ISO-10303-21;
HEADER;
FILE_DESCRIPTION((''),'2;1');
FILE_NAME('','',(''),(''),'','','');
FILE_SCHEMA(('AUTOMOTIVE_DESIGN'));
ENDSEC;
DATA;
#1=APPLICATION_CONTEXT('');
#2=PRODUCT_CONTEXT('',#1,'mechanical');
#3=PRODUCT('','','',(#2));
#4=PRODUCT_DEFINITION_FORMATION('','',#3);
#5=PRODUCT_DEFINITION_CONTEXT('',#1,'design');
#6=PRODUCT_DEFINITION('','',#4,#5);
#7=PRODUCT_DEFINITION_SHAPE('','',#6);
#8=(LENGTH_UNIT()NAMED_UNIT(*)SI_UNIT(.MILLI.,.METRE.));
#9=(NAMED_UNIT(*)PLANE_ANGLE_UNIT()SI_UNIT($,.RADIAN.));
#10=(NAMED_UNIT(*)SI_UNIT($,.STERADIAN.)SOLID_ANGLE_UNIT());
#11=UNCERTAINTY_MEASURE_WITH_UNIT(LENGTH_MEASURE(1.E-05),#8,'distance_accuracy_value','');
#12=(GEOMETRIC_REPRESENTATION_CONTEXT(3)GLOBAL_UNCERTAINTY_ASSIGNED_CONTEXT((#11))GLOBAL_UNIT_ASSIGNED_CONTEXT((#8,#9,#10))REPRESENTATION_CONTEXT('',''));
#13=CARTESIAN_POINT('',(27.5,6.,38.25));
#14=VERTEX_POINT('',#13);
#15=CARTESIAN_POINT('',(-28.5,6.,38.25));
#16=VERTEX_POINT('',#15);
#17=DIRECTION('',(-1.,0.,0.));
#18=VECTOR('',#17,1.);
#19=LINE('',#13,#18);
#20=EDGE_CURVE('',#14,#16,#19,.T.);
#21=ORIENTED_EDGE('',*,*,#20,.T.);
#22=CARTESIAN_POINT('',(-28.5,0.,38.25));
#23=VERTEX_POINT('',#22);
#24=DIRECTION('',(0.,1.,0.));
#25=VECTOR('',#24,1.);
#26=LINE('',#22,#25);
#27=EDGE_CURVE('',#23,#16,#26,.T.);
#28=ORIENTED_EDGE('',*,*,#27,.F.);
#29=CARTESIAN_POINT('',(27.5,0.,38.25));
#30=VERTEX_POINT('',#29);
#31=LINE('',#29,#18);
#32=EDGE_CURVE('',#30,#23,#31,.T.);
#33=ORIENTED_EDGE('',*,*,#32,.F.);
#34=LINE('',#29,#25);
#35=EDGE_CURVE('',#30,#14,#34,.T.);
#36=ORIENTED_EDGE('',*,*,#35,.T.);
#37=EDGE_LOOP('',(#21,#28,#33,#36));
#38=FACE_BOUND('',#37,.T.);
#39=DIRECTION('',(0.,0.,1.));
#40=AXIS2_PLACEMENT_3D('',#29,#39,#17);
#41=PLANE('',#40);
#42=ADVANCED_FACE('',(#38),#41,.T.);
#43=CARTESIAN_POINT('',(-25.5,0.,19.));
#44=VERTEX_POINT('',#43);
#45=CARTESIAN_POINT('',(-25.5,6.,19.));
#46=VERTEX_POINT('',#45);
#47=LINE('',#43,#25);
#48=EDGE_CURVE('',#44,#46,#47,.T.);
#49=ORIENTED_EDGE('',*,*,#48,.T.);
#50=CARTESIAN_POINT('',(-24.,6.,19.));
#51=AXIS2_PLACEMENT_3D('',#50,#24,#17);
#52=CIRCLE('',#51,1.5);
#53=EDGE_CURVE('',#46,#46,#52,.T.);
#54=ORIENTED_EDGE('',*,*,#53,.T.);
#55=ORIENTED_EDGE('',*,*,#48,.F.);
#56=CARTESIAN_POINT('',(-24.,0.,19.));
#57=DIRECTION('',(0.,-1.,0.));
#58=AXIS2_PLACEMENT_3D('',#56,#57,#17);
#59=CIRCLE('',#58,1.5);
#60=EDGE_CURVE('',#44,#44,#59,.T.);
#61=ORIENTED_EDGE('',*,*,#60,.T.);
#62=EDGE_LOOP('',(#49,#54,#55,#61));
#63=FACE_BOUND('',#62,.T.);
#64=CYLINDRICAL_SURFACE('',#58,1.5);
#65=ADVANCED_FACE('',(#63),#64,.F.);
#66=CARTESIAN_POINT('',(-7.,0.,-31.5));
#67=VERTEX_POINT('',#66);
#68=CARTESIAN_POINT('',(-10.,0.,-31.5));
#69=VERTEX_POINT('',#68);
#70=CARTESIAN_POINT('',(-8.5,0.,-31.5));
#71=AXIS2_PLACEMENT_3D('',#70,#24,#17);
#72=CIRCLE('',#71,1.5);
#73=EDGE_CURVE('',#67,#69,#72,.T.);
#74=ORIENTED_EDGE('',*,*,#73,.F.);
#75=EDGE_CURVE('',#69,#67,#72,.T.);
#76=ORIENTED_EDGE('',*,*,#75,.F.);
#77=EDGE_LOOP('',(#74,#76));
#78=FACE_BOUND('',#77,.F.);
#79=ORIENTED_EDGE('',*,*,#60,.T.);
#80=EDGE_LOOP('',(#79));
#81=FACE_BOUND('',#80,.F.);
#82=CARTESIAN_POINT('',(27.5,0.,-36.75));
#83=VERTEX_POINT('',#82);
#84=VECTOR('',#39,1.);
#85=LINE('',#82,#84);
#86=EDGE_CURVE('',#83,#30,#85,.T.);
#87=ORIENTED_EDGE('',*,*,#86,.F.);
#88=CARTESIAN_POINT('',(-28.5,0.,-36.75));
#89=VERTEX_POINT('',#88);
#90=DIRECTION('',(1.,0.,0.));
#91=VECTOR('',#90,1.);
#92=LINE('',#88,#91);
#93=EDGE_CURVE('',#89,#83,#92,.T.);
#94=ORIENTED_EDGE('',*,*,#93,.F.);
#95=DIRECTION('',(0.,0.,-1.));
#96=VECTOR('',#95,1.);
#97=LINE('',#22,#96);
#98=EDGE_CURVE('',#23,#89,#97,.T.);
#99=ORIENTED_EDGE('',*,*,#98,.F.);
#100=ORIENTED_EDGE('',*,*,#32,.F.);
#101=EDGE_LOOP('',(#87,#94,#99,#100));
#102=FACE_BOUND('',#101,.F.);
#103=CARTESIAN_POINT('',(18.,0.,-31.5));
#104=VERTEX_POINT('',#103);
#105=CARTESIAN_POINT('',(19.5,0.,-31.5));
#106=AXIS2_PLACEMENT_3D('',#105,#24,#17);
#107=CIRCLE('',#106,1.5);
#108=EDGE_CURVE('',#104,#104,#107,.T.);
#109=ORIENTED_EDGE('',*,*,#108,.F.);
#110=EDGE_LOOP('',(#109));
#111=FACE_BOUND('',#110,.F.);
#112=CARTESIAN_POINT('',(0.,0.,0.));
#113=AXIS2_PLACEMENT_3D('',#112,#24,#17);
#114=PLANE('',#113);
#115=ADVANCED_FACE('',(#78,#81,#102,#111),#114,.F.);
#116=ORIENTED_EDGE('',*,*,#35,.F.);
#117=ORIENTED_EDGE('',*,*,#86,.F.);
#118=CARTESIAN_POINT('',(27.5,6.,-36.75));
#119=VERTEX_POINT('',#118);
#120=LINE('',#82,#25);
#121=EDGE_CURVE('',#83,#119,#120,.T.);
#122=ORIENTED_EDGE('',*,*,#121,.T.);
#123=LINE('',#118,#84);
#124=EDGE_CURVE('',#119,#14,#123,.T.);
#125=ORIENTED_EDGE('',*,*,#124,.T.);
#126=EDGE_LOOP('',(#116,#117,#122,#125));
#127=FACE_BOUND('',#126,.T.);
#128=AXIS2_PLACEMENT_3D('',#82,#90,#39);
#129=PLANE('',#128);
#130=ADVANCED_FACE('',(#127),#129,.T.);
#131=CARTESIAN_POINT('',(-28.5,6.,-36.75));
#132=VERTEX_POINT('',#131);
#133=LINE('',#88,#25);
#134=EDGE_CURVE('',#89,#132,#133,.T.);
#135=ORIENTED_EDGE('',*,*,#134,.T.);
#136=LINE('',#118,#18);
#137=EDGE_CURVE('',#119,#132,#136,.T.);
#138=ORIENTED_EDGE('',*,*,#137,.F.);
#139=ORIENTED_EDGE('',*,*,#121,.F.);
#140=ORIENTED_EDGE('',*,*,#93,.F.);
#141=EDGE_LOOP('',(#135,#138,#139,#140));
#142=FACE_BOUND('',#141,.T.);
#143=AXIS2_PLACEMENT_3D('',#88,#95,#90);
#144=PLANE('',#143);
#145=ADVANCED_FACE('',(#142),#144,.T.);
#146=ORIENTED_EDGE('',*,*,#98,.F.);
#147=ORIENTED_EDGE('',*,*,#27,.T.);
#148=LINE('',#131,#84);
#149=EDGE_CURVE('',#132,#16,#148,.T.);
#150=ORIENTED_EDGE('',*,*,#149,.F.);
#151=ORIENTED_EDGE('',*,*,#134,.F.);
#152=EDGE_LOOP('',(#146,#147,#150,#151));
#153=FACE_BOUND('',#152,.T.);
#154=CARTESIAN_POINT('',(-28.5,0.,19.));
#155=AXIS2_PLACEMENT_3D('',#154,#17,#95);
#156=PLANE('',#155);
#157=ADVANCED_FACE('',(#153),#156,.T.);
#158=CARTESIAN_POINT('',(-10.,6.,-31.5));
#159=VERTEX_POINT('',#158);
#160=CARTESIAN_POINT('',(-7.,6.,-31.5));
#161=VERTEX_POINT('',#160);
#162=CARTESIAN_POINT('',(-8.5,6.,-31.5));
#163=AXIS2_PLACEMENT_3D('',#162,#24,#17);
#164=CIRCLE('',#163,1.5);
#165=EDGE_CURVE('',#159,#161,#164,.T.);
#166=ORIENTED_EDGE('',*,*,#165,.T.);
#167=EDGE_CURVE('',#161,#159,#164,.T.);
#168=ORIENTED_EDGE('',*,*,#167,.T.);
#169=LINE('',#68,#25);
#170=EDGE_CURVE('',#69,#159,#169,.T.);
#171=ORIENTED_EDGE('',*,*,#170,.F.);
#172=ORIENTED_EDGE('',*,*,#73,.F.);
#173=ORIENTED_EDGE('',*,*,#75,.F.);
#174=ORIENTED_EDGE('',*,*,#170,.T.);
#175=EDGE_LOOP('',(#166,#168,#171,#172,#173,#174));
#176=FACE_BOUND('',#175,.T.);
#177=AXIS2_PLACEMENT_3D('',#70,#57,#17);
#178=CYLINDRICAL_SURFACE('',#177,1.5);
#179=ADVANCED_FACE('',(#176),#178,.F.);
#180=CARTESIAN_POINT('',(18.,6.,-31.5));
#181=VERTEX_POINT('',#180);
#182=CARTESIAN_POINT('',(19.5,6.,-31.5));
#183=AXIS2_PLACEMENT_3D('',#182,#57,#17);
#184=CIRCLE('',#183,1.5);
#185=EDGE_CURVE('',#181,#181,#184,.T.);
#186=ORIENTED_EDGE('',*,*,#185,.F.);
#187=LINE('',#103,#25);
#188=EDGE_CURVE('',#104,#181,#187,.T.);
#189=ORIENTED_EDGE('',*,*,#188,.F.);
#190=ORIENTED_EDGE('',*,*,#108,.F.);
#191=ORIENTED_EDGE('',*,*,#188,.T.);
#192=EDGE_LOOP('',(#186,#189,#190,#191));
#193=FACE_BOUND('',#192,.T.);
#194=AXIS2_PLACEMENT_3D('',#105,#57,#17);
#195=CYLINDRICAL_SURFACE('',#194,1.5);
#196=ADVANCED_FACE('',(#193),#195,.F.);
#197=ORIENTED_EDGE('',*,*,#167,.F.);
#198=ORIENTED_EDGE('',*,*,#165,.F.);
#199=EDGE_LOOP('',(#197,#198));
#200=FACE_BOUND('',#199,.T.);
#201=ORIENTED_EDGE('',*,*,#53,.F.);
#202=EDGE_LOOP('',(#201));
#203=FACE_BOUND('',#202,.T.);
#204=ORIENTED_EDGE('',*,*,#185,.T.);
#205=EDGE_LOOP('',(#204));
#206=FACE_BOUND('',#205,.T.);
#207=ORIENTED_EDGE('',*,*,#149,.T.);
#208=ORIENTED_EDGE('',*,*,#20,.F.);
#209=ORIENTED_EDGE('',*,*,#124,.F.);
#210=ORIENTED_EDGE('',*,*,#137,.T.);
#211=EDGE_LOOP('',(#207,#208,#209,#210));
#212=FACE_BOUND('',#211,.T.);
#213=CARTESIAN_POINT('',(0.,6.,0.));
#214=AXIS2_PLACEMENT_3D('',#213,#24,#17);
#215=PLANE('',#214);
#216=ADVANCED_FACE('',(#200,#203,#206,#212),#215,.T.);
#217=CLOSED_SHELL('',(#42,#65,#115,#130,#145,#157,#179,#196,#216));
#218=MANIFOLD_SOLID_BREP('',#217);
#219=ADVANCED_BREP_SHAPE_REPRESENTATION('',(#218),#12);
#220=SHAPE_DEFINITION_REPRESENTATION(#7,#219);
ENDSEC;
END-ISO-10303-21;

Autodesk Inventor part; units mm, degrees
ref_plane "YZ Plane" through (0, 0, 0) normal (1, 0, 0) x (0, 1, 0)
ref_plane "XZ Plane" through (0, 0, 0) normal (0, 1, 0) x (-1, 0, 0)
ref_plane "XY Plane" through (0, 0, 0) normal (0, 0, 1) x (1, 0, 0)
sketch "Sketch1" plane through (0, 0, 0) normal (0, 1, 0) x (-1, 0, 0)
  circle A0 centre (24, 19) radius 1.5
  circle A1 centre (-19.5, -31.5) radius 1.5
  circle A2 centre (-19.5, -31.5) radius 1.5
  circle A3 centre (8.5, -31.5) radius 1.5
  line L0 (0, 0) -> (0, 17.5)
  line L1 (0, 17.5) -> (0, 19)
  line L2 (0, 19) -> (24, 19)
  line L3 (0, 0) -> (0, -31.5)
  line L4 (0, -31.5) -> (8.5, -31.5)
  line L5 (0, -31.5) -> (-19.5, -31.5)
  line L6 (0, 0) -> (2.25, 0)
  line L7 (-27.5, 38.25) -> (28.5, 38.25)
  line L8 (28.5, 38.25) -> (28.5, -36.75)
  line L9 (28.5, -36.75) -> (-27.5, -36.75)
  line L10 (-27.5, -36.75) -> (-27.5, 38.25)
  line L11 (-27.5, 38.25) -> (28.5, -36.75) construction
  line L12 (28.5, 38.25) -> (-27.5, -36.75) construction
  line L13 (-19.5, -31.5) -> (-19.5, -36.75)
  line L14 (25.5, 19) -> (28.5, 19)
  line L15 (28.5, 19) -> (28.5, -36.75)
  point P0 (0.5, 0.75)
  dimension "d2" = 3
  dimension "d0" = 3
  dimension "d1" = 3
  dimension "d3" = 17.5
  dimension "d4" = 8.5
  dimension "d5" = 19.5
  dimension "d6" = 31.5
  dimension "d7" = 24
  dimension "d12" = 43.5
  dimension "d13" = 2.25
  dimension "d14" = 56
  dimension "d15" = 75
  dimension "d16" = 5.25
  dimension "d17" = 3
extrude "Extrusion2" add sketch "Sketch1" along normal blind 6 contours L14 L8 L9 L13 A1 L5 L3 L0 L1 L2 A0 | A0 L2 L1 L0 L3 L5 A1 L13 L9 L10 L7 L8 L14
properties part number "Arduino"
